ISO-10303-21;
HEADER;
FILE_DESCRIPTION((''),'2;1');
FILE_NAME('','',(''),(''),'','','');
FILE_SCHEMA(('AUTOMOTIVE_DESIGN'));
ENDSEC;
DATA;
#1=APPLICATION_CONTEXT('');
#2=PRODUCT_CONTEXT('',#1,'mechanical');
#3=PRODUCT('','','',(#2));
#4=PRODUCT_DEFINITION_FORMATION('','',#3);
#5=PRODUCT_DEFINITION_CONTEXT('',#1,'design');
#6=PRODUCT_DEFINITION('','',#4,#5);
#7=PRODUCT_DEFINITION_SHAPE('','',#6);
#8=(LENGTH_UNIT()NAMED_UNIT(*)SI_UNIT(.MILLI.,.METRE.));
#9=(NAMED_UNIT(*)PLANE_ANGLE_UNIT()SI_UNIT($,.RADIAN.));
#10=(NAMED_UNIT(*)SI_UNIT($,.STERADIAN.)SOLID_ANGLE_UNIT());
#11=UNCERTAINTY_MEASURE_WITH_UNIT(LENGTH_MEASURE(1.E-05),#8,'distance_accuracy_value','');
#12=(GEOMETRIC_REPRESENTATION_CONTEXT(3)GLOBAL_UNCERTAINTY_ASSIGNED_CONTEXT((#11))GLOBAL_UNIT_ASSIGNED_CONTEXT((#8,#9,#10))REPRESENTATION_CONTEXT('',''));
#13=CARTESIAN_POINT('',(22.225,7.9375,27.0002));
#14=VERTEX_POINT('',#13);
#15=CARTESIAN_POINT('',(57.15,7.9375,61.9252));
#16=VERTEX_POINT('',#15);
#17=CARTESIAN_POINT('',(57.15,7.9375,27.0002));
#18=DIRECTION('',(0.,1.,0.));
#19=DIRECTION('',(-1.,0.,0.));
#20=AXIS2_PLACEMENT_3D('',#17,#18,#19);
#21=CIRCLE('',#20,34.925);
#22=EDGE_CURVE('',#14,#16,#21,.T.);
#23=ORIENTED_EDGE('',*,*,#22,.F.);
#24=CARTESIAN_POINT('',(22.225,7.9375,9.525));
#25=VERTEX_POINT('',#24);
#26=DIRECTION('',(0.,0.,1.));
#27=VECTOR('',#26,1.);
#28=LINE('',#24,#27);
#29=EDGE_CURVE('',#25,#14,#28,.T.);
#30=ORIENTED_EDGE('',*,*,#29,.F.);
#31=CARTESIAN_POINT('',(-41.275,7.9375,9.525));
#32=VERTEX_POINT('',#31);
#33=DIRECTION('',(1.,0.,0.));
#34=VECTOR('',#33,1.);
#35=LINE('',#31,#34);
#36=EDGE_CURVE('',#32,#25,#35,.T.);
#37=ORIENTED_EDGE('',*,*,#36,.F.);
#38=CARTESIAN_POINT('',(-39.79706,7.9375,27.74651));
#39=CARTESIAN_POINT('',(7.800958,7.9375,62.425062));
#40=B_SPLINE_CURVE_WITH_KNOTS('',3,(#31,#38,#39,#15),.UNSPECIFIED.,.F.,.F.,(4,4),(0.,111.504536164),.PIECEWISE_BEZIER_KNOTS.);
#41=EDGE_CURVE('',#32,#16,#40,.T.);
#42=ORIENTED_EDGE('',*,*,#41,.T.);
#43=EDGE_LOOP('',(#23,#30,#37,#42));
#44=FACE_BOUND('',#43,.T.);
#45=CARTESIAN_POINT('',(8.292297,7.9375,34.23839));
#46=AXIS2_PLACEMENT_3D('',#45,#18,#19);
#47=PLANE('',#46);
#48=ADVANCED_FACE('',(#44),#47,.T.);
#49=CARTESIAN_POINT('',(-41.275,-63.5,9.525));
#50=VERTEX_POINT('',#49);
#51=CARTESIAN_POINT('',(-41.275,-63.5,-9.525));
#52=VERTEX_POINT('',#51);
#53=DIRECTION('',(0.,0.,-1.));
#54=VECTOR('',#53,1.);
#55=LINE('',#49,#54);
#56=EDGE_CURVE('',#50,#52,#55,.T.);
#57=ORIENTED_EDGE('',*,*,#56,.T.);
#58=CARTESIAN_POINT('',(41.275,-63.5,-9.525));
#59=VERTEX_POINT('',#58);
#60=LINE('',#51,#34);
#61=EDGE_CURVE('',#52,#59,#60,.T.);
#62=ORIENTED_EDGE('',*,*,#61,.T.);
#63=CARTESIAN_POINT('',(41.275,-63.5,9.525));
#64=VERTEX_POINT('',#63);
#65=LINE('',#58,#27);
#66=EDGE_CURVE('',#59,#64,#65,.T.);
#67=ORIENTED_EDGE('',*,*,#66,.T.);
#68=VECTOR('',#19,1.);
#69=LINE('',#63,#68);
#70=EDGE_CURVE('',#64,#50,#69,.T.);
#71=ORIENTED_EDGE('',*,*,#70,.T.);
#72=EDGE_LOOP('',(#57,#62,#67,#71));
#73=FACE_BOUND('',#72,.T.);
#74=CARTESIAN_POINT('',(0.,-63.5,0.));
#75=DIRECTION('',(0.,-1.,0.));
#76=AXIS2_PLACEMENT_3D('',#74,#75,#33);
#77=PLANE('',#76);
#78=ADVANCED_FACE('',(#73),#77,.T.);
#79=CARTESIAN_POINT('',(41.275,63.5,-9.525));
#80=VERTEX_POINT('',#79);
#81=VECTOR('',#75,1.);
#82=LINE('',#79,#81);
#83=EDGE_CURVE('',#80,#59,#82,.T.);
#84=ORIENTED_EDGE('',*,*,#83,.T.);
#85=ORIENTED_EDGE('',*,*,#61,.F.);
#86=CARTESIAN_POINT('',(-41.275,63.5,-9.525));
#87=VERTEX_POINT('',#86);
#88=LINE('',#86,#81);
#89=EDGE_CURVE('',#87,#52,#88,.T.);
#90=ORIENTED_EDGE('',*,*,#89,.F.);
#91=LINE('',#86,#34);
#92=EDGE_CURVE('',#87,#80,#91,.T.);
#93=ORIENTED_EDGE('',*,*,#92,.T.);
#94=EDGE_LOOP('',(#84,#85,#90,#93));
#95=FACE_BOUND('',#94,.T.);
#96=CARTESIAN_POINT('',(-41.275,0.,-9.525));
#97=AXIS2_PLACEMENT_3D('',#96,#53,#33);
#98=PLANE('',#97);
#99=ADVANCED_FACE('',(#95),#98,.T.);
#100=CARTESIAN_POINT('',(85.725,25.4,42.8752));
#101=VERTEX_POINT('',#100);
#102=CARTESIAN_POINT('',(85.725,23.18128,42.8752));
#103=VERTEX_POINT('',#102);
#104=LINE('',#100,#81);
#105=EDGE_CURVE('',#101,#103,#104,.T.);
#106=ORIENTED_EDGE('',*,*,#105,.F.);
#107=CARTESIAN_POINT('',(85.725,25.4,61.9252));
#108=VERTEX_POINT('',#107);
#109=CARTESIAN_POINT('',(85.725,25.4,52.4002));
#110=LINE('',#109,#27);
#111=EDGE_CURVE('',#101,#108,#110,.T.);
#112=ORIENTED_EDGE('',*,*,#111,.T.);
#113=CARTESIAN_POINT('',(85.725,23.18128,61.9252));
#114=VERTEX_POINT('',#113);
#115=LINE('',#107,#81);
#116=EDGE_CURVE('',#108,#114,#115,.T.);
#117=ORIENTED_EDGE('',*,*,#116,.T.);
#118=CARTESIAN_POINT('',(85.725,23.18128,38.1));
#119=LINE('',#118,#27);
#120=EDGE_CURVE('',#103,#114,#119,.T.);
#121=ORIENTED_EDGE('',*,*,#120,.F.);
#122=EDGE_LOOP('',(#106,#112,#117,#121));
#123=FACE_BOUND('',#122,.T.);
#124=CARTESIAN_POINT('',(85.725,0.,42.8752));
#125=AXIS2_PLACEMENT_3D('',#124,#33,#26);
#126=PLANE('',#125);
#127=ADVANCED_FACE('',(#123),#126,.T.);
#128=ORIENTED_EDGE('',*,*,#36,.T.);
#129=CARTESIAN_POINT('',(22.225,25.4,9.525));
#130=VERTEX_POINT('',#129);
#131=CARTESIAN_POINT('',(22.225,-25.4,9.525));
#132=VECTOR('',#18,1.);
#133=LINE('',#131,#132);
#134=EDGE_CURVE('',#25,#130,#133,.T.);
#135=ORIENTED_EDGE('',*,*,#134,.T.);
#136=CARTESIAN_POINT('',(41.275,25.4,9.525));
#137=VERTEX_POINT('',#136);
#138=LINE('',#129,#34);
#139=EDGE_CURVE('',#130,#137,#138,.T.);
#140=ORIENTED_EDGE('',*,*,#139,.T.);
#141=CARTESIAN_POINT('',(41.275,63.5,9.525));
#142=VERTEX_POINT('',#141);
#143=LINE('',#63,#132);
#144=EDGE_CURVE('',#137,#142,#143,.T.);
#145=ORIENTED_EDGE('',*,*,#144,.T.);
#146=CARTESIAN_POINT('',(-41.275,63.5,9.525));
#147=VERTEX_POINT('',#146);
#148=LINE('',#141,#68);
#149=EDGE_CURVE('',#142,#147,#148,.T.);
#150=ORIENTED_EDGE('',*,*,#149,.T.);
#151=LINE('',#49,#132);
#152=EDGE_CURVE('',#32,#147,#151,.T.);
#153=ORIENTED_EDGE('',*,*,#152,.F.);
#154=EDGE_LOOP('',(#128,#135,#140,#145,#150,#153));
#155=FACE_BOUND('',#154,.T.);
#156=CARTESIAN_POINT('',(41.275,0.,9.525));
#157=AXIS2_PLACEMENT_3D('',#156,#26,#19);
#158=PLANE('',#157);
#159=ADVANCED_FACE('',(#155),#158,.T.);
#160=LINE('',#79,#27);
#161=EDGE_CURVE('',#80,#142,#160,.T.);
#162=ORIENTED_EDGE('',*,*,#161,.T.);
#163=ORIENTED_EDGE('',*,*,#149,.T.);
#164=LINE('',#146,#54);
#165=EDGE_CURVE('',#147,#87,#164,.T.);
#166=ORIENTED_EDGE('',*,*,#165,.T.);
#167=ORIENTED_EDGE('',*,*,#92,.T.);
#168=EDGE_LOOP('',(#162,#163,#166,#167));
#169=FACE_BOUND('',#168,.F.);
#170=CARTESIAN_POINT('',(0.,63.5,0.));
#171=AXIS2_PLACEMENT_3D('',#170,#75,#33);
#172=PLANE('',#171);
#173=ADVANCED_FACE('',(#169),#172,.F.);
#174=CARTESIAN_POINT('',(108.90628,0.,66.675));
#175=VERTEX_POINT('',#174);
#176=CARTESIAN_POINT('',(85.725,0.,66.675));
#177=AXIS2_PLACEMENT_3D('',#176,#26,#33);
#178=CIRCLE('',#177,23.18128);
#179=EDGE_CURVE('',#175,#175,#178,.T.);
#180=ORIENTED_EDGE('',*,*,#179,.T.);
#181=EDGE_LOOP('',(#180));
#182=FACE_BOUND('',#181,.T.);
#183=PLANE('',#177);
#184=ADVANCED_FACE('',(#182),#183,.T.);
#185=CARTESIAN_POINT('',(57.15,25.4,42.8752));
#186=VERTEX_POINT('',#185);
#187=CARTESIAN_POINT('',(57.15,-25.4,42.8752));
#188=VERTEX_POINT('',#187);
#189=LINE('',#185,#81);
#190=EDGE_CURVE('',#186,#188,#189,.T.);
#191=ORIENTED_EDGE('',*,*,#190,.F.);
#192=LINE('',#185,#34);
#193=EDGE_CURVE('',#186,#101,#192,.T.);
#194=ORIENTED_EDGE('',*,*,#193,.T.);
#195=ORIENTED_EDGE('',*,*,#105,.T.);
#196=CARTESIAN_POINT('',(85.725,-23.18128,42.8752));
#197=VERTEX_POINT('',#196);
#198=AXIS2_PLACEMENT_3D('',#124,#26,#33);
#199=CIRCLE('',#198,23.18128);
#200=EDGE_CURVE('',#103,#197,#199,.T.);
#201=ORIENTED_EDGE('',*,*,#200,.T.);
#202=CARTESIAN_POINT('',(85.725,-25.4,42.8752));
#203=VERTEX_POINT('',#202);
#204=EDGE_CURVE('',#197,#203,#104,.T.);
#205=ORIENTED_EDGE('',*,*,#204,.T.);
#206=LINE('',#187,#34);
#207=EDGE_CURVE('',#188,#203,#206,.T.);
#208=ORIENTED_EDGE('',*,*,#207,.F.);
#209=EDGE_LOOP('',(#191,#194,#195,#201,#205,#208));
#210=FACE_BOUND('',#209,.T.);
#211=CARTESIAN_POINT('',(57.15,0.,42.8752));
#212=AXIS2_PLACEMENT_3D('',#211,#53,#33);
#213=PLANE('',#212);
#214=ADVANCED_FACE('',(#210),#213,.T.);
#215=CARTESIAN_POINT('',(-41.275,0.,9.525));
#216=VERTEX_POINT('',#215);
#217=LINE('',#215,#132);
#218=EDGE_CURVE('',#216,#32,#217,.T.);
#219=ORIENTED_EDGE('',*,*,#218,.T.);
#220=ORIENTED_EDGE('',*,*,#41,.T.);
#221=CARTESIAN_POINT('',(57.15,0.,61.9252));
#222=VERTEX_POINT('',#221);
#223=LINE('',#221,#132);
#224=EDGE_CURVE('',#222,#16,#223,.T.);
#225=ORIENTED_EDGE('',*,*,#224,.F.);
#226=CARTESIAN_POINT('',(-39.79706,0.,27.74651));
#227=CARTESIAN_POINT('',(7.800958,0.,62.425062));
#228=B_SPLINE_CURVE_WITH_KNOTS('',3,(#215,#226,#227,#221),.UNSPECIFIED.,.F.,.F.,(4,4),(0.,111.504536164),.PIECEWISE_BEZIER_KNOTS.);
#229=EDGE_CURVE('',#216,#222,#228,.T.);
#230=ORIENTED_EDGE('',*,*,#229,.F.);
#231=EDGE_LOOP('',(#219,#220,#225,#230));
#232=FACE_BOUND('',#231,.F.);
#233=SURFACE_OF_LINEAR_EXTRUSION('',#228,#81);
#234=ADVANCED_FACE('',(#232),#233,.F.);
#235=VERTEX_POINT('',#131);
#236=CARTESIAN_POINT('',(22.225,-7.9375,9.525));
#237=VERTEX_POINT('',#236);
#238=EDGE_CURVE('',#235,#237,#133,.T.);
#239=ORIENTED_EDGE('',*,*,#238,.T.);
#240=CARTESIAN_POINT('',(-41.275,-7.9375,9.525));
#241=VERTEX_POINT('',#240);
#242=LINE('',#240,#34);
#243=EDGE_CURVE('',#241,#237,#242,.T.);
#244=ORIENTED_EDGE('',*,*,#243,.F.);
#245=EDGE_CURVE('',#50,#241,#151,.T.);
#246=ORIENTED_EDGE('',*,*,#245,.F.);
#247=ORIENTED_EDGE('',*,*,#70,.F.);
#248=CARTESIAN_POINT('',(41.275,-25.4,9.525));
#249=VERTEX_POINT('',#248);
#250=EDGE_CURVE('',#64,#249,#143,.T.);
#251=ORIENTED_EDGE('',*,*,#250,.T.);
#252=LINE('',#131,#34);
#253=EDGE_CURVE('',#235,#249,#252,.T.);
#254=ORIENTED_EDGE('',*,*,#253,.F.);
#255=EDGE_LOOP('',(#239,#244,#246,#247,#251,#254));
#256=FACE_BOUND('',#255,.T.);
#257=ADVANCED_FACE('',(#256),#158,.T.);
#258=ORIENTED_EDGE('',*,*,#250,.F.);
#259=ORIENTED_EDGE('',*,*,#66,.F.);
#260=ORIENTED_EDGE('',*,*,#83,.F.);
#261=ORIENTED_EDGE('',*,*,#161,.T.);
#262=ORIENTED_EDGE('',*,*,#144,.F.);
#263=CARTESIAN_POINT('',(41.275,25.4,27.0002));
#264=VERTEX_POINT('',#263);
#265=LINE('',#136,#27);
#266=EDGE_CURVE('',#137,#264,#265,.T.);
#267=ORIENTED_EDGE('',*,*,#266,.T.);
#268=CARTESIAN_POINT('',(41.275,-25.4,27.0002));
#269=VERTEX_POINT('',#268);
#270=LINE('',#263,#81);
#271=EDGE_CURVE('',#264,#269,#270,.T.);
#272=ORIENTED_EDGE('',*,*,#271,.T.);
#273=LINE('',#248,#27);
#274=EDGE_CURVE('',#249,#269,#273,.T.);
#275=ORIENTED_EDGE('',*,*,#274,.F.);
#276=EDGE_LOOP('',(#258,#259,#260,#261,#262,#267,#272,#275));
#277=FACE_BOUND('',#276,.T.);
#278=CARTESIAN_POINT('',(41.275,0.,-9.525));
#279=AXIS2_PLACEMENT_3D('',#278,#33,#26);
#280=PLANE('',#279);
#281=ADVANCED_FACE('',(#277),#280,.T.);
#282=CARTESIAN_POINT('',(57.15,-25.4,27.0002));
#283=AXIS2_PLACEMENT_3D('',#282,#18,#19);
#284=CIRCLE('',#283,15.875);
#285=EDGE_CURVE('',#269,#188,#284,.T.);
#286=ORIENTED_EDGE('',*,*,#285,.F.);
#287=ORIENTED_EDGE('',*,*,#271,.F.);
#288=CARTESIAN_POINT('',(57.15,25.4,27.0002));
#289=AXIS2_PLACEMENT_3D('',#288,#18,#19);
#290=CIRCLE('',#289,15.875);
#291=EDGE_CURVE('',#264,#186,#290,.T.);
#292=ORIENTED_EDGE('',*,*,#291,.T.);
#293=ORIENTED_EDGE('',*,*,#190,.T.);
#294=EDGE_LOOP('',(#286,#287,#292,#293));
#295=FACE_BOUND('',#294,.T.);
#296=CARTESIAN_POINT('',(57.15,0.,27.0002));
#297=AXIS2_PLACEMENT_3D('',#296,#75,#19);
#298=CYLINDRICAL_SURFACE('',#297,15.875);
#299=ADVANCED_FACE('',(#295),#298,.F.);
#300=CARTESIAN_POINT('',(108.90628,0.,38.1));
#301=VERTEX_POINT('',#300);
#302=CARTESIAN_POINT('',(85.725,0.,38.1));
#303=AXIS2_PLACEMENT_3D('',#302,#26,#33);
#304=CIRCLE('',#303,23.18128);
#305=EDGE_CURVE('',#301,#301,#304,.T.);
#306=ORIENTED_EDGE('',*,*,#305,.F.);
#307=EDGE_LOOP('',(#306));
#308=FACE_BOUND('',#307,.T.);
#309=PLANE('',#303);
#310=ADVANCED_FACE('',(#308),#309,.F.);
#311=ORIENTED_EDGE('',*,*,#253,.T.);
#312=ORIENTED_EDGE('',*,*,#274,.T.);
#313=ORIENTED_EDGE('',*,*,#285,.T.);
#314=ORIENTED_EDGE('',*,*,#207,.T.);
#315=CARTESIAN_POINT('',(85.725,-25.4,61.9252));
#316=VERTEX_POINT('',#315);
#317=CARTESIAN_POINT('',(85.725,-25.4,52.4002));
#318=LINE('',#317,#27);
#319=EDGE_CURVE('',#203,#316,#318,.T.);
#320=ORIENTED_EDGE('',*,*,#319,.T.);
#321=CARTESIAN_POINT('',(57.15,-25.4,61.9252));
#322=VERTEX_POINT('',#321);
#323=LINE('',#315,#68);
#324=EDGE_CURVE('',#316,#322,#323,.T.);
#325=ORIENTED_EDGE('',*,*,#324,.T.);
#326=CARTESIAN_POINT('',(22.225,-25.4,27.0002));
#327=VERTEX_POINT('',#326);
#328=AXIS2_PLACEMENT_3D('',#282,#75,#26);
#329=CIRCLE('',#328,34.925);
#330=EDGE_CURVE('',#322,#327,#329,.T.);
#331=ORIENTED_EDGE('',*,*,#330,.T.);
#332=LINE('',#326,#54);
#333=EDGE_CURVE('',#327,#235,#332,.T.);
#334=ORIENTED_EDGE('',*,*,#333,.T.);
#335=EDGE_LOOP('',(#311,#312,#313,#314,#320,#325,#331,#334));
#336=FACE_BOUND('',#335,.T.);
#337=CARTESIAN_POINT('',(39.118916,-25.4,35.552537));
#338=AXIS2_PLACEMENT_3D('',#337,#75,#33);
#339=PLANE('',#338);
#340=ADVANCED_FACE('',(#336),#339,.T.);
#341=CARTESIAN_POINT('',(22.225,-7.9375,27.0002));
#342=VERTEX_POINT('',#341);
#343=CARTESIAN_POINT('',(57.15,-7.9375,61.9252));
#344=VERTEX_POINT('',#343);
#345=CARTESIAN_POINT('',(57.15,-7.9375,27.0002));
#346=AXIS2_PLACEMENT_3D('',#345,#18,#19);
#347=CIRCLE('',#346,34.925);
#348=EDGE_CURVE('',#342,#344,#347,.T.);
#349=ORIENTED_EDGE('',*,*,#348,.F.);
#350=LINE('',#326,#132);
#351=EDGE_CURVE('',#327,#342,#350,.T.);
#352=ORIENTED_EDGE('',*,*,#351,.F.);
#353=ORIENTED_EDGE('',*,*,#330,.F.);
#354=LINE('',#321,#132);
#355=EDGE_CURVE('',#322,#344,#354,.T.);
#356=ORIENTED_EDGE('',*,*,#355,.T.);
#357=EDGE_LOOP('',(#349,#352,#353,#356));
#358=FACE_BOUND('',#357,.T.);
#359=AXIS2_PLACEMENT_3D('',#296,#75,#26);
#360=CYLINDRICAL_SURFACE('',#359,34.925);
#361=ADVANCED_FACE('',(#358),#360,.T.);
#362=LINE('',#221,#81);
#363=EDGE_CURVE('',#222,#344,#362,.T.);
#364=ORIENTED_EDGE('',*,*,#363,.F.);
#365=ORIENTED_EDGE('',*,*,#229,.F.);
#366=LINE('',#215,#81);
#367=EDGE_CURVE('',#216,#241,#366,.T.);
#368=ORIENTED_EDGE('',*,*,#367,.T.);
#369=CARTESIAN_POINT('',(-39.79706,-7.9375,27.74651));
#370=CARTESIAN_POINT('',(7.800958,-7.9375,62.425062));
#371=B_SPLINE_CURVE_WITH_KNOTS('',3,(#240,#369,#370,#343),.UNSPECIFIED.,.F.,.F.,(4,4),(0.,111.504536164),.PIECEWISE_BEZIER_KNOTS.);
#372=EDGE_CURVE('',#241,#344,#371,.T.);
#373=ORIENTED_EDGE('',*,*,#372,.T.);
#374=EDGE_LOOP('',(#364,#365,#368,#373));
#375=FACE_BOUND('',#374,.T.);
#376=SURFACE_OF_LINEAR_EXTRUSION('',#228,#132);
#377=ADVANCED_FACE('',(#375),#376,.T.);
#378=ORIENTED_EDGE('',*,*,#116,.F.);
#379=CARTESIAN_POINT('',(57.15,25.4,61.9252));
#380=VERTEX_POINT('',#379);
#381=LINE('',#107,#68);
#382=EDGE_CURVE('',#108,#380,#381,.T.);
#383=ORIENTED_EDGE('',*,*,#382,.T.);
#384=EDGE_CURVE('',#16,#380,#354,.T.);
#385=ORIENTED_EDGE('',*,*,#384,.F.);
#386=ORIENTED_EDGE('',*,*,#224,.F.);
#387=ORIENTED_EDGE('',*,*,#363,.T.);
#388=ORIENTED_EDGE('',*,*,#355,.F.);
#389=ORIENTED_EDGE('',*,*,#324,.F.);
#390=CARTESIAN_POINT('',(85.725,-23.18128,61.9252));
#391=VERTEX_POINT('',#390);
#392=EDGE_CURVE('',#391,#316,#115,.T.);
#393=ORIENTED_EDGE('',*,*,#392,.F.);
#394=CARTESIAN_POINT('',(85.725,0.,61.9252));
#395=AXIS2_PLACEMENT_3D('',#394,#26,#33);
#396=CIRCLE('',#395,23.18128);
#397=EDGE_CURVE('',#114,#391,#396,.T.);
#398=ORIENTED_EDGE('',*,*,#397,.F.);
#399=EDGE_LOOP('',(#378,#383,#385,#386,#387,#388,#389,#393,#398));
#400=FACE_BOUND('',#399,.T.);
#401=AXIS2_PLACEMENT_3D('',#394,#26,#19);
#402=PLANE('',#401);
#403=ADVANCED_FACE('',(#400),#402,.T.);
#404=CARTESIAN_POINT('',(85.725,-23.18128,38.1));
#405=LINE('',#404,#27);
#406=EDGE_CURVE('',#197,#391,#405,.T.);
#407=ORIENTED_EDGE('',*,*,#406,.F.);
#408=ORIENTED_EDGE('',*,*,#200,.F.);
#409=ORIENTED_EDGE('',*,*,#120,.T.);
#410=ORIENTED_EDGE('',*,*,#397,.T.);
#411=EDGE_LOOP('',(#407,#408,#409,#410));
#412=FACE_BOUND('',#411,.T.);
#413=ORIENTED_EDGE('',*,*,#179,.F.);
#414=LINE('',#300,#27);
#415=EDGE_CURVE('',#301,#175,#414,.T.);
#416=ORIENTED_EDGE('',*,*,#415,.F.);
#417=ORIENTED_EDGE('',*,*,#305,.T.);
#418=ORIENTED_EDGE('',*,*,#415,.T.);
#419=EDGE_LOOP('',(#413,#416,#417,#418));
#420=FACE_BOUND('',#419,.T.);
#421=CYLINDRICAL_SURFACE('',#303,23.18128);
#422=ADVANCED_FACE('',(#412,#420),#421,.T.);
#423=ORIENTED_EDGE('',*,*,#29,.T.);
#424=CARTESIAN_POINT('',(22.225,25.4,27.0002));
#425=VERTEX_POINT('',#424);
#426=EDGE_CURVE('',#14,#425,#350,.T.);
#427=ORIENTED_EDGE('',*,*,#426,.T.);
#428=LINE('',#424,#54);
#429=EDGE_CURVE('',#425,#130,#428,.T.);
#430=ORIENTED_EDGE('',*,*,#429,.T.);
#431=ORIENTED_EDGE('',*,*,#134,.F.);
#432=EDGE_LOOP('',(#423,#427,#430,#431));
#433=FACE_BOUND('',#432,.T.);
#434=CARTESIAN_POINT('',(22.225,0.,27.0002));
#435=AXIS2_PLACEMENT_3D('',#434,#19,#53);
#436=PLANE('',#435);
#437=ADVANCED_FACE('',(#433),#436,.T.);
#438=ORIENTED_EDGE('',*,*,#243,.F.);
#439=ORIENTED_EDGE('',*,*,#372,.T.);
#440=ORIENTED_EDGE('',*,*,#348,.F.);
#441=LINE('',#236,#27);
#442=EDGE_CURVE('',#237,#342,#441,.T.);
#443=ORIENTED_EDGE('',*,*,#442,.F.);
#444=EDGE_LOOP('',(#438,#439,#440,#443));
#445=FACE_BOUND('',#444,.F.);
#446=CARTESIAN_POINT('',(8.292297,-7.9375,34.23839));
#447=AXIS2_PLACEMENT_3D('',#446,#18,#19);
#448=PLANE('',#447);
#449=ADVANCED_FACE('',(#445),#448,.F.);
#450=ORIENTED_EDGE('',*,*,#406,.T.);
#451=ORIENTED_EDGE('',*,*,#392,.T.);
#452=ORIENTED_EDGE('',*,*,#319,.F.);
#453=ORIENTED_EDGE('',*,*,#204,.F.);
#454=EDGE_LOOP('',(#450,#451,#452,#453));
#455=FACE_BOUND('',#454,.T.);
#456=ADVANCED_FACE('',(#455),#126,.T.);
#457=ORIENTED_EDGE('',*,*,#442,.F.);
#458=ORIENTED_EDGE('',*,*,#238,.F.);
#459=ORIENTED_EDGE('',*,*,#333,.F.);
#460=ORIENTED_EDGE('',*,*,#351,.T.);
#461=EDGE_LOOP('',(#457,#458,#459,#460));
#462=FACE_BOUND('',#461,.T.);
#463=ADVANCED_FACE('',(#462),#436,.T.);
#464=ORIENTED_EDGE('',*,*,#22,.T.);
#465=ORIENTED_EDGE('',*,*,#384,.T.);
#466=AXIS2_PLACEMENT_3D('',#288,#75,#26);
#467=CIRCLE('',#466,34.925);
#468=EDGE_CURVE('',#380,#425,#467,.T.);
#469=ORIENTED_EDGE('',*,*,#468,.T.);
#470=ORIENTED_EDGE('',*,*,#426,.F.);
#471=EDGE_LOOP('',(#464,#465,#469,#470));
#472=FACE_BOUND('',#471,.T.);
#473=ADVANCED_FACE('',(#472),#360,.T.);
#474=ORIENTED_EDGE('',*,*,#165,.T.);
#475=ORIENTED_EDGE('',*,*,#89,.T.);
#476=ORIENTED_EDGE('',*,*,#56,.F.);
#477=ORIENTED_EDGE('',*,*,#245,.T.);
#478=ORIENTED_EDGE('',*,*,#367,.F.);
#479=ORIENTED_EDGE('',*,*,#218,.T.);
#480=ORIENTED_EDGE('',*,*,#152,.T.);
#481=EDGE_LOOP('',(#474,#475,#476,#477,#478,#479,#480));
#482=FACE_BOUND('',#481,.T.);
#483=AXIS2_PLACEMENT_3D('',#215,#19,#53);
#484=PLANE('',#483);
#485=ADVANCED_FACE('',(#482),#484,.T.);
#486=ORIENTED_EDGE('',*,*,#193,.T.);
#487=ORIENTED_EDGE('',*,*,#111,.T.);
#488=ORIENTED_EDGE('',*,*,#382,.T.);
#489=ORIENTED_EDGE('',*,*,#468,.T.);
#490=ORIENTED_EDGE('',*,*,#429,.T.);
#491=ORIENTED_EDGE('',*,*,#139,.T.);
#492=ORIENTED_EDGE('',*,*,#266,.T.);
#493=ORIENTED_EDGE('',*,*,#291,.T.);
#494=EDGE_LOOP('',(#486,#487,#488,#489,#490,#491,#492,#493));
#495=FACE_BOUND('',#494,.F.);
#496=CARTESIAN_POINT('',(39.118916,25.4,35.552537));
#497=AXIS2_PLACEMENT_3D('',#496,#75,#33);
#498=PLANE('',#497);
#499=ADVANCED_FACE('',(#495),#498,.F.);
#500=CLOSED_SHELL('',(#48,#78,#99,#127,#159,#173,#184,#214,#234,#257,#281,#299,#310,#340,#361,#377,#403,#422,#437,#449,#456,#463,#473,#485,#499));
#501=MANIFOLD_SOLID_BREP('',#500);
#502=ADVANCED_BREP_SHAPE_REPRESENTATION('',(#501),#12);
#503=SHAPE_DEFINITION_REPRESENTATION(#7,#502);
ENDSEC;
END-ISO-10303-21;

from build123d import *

# Parameters (mm, degrees)
F1_DEPTH = 63.5
F0_W     = 27.6187203676
F0_H     = 19.05
F2_DEPTH = 25.4
F3_DEPTH = 7.9375


with BuildPart() as f1:
    # F0 (on Front) → F1 (new body, symmetric)
    with BuildSketch(Plane.XZ):
        Polygon((-41.275, 9.525), (-41.275, -9.525), (41.275, -9.525), (41.275, 9.525), (22.225, 9.525), align=None)
    extrude(amount=F1_DEPTH, both=True)

    # F0 (on Front) → F2 (join, symmetric)
    with BuildSketch(Plane.XZ):
        with BuildLine():
            Line((22.225, 9.525), (41.275, 9.525))
            Line((41.275, 9.525), (41.275, 27.0002))
            ThreePointArc((41.275, 27.0002), (45.9246798487, 38.2255201513), (57.15, 42.8752))
            Line((57.15, 42.8752), (58.1062796324, 42.8752))
            Line((58.1062796324, 42.8752), (58.1062796324, 61.9252))
            Line((58.1062796324, 61.9252), (57.15, 61.9252))
            ThreePointArc((57.15, 61.9252), (32.4542956671, 51.6959043329), (22.225, 27.0002))
            Line((22.225, 27.0002), (22.225, 9.525))
        make_face()
        with Locations((71.9156398162, 52.4002)):
            Rectangle(F0_W, F0_H)
    extrude(amount=F2_DEPTH, both=True)

    # F0 (on Front) → F3 (join, symmetric)
    with BuildSketch(Plane.XZ):
        with BuildLine():
            add(Edge.make_bspline(
                [(-41.275, 9.525), (-39.7970601916, 27.7465097606), (7.8009576537, 62.4250620604), (57.15, 61.9252)],
                knots=[0, 0, 0, 0, 111.5045361635, 111.5045361635, 111.5045361635, 111.5045361635], degree=3))
            Line((-41.275, 9.525), (22.225, 9.525))
            Line((22.225, 9.525), (22.225, 27.0002))
            ThreePointArc((22.225, 27.0002), (32.4542956671, 51.6959043329), (57.15, 61.9252))
        make_face()
    extrude(amount=F3_DEPTH, both=True)

    # F0 (on Front) → F4 (revolve)
    with BuildSketch(Plane.XZ):
        Polygon((85.725, 66.675), (85.725, 61.9252), (85.725, 42.8752), (85.725, 38.1), (108.9062796324, 38.1), (108.9062796324, 66.675), align=None)
    revolve(axis=Axis((85.725, 0, 52.4002), (0, 0, 1)))


solid = f1.part
